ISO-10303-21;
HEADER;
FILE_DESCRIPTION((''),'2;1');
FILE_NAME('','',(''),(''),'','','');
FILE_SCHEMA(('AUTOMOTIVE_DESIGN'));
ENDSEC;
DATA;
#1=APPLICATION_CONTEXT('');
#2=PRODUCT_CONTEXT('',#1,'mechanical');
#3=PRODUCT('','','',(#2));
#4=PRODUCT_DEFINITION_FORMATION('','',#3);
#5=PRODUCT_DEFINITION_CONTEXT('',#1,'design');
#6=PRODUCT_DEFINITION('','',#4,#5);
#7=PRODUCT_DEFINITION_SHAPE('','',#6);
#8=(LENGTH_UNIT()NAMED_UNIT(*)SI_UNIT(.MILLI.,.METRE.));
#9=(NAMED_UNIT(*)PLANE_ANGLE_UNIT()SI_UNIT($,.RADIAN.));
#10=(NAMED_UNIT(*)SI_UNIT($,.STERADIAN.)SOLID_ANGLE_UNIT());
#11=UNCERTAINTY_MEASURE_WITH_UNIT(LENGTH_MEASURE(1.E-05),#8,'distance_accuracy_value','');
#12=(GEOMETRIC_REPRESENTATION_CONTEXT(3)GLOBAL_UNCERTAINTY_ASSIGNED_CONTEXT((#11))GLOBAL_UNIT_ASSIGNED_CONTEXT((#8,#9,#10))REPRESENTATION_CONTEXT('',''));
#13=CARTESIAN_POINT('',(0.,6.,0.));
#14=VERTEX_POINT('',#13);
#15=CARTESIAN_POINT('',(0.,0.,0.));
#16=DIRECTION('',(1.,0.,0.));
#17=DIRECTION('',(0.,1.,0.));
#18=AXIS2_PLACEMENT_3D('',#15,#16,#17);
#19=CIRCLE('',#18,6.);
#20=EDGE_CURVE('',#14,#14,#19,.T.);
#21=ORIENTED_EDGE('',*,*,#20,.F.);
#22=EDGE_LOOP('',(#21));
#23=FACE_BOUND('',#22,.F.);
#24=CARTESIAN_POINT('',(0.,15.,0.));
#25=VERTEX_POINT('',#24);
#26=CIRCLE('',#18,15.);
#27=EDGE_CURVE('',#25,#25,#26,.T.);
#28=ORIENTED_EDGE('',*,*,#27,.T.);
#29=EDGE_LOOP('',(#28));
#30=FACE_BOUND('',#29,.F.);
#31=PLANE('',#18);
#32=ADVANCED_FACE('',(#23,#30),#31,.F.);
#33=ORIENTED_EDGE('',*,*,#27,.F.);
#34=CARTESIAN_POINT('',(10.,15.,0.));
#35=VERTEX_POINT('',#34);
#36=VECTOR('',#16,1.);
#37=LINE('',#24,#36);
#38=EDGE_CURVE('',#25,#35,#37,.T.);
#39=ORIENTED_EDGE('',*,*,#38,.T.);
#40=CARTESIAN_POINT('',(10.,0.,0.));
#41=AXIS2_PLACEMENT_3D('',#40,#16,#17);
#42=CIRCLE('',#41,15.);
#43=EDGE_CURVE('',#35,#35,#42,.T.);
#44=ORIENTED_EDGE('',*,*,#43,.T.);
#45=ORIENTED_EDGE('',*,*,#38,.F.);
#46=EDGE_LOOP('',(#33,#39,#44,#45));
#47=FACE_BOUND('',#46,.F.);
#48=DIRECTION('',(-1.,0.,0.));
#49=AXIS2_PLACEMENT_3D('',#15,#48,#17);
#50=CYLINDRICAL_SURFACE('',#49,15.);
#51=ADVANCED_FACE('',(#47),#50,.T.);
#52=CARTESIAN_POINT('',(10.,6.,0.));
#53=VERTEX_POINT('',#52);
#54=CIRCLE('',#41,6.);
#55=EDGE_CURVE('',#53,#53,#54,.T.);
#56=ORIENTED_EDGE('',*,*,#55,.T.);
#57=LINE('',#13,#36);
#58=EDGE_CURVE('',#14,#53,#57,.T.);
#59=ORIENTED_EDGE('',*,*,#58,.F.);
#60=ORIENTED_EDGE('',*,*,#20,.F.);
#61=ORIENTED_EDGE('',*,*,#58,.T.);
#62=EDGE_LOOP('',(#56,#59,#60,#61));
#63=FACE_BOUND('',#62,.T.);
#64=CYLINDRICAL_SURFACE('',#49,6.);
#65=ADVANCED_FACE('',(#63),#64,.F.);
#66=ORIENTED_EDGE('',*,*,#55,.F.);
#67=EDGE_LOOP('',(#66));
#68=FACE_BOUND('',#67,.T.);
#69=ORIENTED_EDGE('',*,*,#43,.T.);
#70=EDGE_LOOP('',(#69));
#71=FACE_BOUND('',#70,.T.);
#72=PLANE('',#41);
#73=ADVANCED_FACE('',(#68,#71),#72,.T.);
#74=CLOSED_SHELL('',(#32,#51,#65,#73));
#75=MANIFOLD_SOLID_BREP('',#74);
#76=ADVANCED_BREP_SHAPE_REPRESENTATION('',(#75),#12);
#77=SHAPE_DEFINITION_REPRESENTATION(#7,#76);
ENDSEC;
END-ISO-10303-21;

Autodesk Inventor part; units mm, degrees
ref_plane "YZ Plane" through (0, 0, 0) normal (1, 0, 0) x (0, 1, 0)
ref_plane "XZ Plane" through (0, 0, 0) normal (0, 1, 0) x (-1, 0, 0)
ref_plane "XY Plane" through (0, 0, 0) normal (0, 0, 1) x (1, 0, 0)
sketch "スケッチ1" plane through (0, 0, 0) normal (1, 0, 0) x (0, 1, 0)
  circle A0 centre (0, 0) radius 6
  circle A1 centre (0, 0) radius 15
  dimension "d0" = 12
  dimension "d1" = 30
extrude "押し出し1" add sketch "スケッチ1" along normal blind 10
properties part number "CB_12"
